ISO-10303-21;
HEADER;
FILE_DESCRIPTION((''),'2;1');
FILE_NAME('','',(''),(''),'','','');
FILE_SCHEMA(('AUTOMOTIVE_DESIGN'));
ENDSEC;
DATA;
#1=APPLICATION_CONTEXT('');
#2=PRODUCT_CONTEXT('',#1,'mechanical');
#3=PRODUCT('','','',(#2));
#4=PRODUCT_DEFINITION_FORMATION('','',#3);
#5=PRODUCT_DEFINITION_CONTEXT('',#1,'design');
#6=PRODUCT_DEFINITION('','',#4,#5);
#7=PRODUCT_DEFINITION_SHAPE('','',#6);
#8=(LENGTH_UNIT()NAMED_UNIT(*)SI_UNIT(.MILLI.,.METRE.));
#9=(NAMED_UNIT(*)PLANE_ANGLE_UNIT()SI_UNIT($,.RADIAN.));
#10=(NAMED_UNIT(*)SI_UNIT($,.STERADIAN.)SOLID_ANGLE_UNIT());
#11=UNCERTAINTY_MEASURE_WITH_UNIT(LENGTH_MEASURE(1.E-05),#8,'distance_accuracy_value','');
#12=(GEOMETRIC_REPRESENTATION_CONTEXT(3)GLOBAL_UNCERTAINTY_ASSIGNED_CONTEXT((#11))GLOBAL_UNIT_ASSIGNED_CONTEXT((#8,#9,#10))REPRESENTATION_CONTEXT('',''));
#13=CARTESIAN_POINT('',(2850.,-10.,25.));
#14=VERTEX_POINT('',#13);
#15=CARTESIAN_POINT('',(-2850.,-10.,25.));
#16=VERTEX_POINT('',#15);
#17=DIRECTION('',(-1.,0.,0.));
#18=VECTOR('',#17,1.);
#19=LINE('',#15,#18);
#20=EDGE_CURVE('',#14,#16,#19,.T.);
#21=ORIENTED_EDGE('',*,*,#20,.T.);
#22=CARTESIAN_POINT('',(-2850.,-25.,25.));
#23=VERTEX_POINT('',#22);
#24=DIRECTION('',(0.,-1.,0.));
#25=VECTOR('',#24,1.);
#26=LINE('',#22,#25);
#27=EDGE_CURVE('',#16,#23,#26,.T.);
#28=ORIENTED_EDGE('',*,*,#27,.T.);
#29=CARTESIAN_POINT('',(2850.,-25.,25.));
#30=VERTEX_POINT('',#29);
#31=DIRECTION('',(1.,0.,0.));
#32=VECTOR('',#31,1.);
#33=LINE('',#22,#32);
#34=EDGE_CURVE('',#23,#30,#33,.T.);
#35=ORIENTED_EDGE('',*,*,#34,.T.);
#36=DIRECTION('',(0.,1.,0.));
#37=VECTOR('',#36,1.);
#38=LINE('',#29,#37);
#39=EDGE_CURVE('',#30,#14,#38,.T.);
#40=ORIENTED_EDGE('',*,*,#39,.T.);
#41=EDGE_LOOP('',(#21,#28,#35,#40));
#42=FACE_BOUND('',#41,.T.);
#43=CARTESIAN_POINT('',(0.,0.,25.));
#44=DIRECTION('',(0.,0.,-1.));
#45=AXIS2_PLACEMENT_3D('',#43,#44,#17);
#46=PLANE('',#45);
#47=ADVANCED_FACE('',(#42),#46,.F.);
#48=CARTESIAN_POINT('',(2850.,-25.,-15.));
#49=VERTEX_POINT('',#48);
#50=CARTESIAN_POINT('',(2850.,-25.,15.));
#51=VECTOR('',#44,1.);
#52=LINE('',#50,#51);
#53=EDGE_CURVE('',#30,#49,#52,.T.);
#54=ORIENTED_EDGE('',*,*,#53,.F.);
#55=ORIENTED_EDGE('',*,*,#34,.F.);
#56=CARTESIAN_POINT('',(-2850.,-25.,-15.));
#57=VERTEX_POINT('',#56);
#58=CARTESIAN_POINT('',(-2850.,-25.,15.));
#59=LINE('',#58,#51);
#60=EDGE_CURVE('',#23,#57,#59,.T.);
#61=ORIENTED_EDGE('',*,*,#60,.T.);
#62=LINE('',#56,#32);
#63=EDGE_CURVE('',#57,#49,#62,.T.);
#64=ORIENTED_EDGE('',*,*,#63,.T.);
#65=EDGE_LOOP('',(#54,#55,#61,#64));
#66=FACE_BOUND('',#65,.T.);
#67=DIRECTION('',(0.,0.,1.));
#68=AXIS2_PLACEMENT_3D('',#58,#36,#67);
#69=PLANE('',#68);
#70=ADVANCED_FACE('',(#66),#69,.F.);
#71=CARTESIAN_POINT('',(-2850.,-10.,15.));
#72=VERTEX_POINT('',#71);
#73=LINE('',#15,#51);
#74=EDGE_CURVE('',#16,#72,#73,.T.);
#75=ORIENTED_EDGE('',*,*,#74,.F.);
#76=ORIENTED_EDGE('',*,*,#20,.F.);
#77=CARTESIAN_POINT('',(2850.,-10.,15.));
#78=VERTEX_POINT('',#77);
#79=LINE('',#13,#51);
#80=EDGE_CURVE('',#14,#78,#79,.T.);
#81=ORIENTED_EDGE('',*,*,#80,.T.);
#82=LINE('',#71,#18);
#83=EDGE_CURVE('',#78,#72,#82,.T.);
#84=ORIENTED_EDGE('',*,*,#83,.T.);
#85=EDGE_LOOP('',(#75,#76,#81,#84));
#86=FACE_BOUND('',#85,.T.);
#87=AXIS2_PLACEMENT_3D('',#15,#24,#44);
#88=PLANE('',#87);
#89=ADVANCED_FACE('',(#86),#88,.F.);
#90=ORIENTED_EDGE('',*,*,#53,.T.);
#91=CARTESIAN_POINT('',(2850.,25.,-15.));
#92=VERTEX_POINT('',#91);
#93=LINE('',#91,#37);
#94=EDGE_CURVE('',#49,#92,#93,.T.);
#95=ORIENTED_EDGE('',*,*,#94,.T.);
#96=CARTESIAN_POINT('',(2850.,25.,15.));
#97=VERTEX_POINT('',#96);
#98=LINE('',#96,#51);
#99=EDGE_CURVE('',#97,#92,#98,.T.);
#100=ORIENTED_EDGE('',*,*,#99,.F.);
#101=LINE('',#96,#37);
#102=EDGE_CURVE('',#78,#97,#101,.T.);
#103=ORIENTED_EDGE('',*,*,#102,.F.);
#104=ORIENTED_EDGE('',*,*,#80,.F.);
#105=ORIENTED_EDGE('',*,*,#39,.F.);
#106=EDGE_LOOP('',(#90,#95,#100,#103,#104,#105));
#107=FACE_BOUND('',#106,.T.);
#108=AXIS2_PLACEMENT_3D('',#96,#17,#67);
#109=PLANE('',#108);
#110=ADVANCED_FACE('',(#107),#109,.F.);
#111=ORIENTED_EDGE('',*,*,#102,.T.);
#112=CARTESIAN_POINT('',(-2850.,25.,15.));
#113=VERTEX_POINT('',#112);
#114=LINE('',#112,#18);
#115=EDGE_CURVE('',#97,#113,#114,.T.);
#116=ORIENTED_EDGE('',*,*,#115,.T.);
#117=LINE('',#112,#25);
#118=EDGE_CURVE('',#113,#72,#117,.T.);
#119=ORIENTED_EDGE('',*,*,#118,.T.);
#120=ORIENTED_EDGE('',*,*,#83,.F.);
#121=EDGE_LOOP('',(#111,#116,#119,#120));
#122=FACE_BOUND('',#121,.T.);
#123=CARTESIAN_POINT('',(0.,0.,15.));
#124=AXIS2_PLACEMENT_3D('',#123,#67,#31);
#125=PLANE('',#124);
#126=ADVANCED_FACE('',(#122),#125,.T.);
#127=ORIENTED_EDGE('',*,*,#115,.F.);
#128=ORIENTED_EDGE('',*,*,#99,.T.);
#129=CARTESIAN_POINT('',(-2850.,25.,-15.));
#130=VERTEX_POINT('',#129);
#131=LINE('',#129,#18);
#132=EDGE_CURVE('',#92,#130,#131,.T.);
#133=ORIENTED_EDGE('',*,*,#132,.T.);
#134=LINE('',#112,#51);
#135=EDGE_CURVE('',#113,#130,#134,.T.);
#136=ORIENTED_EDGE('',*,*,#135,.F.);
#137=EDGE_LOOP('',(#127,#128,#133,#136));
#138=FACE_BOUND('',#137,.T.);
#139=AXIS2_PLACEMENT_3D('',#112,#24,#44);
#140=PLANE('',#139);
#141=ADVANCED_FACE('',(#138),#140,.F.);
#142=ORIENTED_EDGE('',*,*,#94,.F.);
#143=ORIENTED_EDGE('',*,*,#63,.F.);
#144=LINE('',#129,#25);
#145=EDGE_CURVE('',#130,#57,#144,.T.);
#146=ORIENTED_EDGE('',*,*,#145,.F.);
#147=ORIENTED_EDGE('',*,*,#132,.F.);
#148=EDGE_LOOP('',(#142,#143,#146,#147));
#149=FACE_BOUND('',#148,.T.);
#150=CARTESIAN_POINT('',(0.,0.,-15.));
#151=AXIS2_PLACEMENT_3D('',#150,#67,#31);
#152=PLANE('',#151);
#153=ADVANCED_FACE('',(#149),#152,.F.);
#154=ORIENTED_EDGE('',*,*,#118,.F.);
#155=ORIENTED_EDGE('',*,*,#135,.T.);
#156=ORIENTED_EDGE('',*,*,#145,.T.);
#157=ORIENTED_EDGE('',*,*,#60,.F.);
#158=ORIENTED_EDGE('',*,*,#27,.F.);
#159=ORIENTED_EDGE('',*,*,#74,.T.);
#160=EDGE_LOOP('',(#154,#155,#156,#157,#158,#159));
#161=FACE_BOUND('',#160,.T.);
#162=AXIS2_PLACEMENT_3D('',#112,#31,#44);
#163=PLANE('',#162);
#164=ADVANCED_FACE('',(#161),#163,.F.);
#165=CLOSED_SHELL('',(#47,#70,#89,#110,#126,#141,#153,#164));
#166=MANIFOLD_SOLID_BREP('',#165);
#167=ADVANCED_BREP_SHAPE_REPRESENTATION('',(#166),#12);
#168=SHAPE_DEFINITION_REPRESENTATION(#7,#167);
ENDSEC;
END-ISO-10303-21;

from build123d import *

# Parameters (mm, degrees)
SKETCH_1_W      = 5700
SKETCH_1_H      = 50
EXTRUDE_1_DEPTH = 15
SKETCH_3_W      = 5700
SKETCH_3_H      = 15
EXTRUDE_3_DEPTH = 10


with BuildPart() as part:
    # 草图1 → 凸台-拉伸1 (new, symmetric)
    with BuildSketch(Plane.XY):
        Rectangle(SKETCH_1_W, SKETCH_1_H)
    extrude(amount=EXTRUDE_1_DEPTH, both=True)

    # 草图3 → 凸台-拉伸3 (add)
    with BuildSketch(Plane.XY.offset(15)):
        with Locations((0, -17.5)):
            Rectangle(SKETCH_3_W, SKETCH_3_H)
    extrude(amount=EXTRUDE_3_DEPTH)


solid = part.part
